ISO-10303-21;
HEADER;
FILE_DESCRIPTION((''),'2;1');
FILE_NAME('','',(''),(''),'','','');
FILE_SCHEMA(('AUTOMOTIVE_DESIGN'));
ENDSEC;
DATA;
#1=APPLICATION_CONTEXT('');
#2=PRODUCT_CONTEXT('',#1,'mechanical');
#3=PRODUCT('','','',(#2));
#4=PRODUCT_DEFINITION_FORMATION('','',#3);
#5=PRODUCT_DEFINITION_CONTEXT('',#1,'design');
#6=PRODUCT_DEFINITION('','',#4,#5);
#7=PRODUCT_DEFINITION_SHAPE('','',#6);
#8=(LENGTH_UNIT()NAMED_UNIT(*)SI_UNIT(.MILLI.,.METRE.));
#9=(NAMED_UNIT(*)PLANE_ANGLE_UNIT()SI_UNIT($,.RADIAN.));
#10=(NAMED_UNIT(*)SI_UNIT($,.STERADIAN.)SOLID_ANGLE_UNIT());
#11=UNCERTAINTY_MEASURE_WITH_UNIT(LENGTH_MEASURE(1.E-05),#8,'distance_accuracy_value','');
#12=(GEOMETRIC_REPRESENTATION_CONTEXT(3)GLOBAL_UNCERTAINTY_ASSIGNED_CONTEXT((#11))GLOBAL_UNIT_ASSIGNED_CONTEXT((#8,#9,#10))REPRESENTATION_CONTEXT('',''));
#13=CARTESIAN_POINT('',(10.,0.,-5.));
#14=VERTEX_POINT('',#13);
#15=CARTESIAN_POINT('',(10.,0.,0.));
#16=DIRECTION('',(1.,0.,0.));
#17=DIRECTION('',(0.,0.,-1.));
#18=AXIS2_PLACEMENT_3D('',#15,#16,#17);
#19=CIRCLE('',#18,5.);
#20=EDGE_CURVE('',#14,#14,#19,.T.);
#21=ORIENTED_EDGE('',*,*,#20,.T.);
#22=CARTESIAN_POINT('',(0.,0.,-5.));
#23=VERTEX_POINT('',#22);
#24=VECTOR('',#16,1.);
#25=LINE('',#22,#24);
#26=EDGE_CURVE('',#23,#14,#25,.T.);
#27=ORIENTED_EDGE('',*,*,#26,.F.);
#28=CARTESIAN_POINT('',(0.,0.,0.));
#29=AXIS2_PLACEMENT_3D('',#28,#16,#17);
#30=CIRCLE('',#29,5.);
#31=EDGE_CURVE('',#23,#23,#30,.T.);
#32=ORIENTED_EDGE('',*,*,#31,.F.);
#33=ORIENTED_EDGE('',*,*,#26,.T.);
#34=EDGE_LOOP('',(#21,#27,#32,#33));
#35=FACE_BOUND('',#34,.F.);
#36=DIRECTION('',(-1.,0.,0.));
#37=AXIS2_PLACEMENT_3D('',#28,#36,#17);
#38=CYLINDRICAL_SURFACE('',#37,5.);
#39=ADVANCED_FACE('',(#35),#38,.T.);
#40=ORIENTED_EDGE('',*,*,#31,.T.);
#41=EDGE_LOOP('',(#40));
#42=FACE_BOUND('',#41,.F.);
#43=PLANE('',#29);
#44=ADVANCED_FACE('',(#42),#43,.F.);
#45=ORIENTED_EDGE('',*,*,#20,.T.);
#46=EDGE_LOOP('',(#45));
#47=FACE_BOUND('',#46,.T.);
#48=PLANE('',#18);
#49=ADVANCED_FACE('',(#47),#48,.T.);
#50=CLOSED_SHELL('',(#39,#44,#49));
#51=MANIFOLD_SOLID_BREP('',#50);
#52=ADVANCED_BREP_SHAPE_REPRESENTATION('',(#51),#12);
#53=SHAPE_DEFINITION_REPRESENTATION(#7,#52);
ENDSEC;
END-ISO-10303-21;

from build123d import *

# Parameters (mm, degrees)
ESQUISSE1_R        = 5
BOSS_EXTRU_1_DEPTH = 10


with BuildPart() as part:
    # Esquisse1 → Boss.-Extru.1 (new body)
    with BuildSketch(Plane(origin=(0, 0, 0), x_dir=(0, 0, -1), z_dir=(1, 0, 0))):
        Circle(ESQUISSE1_R)
    extrude(amount=BOSS_EXTRU_1_DEPTH)


solid = part.part
